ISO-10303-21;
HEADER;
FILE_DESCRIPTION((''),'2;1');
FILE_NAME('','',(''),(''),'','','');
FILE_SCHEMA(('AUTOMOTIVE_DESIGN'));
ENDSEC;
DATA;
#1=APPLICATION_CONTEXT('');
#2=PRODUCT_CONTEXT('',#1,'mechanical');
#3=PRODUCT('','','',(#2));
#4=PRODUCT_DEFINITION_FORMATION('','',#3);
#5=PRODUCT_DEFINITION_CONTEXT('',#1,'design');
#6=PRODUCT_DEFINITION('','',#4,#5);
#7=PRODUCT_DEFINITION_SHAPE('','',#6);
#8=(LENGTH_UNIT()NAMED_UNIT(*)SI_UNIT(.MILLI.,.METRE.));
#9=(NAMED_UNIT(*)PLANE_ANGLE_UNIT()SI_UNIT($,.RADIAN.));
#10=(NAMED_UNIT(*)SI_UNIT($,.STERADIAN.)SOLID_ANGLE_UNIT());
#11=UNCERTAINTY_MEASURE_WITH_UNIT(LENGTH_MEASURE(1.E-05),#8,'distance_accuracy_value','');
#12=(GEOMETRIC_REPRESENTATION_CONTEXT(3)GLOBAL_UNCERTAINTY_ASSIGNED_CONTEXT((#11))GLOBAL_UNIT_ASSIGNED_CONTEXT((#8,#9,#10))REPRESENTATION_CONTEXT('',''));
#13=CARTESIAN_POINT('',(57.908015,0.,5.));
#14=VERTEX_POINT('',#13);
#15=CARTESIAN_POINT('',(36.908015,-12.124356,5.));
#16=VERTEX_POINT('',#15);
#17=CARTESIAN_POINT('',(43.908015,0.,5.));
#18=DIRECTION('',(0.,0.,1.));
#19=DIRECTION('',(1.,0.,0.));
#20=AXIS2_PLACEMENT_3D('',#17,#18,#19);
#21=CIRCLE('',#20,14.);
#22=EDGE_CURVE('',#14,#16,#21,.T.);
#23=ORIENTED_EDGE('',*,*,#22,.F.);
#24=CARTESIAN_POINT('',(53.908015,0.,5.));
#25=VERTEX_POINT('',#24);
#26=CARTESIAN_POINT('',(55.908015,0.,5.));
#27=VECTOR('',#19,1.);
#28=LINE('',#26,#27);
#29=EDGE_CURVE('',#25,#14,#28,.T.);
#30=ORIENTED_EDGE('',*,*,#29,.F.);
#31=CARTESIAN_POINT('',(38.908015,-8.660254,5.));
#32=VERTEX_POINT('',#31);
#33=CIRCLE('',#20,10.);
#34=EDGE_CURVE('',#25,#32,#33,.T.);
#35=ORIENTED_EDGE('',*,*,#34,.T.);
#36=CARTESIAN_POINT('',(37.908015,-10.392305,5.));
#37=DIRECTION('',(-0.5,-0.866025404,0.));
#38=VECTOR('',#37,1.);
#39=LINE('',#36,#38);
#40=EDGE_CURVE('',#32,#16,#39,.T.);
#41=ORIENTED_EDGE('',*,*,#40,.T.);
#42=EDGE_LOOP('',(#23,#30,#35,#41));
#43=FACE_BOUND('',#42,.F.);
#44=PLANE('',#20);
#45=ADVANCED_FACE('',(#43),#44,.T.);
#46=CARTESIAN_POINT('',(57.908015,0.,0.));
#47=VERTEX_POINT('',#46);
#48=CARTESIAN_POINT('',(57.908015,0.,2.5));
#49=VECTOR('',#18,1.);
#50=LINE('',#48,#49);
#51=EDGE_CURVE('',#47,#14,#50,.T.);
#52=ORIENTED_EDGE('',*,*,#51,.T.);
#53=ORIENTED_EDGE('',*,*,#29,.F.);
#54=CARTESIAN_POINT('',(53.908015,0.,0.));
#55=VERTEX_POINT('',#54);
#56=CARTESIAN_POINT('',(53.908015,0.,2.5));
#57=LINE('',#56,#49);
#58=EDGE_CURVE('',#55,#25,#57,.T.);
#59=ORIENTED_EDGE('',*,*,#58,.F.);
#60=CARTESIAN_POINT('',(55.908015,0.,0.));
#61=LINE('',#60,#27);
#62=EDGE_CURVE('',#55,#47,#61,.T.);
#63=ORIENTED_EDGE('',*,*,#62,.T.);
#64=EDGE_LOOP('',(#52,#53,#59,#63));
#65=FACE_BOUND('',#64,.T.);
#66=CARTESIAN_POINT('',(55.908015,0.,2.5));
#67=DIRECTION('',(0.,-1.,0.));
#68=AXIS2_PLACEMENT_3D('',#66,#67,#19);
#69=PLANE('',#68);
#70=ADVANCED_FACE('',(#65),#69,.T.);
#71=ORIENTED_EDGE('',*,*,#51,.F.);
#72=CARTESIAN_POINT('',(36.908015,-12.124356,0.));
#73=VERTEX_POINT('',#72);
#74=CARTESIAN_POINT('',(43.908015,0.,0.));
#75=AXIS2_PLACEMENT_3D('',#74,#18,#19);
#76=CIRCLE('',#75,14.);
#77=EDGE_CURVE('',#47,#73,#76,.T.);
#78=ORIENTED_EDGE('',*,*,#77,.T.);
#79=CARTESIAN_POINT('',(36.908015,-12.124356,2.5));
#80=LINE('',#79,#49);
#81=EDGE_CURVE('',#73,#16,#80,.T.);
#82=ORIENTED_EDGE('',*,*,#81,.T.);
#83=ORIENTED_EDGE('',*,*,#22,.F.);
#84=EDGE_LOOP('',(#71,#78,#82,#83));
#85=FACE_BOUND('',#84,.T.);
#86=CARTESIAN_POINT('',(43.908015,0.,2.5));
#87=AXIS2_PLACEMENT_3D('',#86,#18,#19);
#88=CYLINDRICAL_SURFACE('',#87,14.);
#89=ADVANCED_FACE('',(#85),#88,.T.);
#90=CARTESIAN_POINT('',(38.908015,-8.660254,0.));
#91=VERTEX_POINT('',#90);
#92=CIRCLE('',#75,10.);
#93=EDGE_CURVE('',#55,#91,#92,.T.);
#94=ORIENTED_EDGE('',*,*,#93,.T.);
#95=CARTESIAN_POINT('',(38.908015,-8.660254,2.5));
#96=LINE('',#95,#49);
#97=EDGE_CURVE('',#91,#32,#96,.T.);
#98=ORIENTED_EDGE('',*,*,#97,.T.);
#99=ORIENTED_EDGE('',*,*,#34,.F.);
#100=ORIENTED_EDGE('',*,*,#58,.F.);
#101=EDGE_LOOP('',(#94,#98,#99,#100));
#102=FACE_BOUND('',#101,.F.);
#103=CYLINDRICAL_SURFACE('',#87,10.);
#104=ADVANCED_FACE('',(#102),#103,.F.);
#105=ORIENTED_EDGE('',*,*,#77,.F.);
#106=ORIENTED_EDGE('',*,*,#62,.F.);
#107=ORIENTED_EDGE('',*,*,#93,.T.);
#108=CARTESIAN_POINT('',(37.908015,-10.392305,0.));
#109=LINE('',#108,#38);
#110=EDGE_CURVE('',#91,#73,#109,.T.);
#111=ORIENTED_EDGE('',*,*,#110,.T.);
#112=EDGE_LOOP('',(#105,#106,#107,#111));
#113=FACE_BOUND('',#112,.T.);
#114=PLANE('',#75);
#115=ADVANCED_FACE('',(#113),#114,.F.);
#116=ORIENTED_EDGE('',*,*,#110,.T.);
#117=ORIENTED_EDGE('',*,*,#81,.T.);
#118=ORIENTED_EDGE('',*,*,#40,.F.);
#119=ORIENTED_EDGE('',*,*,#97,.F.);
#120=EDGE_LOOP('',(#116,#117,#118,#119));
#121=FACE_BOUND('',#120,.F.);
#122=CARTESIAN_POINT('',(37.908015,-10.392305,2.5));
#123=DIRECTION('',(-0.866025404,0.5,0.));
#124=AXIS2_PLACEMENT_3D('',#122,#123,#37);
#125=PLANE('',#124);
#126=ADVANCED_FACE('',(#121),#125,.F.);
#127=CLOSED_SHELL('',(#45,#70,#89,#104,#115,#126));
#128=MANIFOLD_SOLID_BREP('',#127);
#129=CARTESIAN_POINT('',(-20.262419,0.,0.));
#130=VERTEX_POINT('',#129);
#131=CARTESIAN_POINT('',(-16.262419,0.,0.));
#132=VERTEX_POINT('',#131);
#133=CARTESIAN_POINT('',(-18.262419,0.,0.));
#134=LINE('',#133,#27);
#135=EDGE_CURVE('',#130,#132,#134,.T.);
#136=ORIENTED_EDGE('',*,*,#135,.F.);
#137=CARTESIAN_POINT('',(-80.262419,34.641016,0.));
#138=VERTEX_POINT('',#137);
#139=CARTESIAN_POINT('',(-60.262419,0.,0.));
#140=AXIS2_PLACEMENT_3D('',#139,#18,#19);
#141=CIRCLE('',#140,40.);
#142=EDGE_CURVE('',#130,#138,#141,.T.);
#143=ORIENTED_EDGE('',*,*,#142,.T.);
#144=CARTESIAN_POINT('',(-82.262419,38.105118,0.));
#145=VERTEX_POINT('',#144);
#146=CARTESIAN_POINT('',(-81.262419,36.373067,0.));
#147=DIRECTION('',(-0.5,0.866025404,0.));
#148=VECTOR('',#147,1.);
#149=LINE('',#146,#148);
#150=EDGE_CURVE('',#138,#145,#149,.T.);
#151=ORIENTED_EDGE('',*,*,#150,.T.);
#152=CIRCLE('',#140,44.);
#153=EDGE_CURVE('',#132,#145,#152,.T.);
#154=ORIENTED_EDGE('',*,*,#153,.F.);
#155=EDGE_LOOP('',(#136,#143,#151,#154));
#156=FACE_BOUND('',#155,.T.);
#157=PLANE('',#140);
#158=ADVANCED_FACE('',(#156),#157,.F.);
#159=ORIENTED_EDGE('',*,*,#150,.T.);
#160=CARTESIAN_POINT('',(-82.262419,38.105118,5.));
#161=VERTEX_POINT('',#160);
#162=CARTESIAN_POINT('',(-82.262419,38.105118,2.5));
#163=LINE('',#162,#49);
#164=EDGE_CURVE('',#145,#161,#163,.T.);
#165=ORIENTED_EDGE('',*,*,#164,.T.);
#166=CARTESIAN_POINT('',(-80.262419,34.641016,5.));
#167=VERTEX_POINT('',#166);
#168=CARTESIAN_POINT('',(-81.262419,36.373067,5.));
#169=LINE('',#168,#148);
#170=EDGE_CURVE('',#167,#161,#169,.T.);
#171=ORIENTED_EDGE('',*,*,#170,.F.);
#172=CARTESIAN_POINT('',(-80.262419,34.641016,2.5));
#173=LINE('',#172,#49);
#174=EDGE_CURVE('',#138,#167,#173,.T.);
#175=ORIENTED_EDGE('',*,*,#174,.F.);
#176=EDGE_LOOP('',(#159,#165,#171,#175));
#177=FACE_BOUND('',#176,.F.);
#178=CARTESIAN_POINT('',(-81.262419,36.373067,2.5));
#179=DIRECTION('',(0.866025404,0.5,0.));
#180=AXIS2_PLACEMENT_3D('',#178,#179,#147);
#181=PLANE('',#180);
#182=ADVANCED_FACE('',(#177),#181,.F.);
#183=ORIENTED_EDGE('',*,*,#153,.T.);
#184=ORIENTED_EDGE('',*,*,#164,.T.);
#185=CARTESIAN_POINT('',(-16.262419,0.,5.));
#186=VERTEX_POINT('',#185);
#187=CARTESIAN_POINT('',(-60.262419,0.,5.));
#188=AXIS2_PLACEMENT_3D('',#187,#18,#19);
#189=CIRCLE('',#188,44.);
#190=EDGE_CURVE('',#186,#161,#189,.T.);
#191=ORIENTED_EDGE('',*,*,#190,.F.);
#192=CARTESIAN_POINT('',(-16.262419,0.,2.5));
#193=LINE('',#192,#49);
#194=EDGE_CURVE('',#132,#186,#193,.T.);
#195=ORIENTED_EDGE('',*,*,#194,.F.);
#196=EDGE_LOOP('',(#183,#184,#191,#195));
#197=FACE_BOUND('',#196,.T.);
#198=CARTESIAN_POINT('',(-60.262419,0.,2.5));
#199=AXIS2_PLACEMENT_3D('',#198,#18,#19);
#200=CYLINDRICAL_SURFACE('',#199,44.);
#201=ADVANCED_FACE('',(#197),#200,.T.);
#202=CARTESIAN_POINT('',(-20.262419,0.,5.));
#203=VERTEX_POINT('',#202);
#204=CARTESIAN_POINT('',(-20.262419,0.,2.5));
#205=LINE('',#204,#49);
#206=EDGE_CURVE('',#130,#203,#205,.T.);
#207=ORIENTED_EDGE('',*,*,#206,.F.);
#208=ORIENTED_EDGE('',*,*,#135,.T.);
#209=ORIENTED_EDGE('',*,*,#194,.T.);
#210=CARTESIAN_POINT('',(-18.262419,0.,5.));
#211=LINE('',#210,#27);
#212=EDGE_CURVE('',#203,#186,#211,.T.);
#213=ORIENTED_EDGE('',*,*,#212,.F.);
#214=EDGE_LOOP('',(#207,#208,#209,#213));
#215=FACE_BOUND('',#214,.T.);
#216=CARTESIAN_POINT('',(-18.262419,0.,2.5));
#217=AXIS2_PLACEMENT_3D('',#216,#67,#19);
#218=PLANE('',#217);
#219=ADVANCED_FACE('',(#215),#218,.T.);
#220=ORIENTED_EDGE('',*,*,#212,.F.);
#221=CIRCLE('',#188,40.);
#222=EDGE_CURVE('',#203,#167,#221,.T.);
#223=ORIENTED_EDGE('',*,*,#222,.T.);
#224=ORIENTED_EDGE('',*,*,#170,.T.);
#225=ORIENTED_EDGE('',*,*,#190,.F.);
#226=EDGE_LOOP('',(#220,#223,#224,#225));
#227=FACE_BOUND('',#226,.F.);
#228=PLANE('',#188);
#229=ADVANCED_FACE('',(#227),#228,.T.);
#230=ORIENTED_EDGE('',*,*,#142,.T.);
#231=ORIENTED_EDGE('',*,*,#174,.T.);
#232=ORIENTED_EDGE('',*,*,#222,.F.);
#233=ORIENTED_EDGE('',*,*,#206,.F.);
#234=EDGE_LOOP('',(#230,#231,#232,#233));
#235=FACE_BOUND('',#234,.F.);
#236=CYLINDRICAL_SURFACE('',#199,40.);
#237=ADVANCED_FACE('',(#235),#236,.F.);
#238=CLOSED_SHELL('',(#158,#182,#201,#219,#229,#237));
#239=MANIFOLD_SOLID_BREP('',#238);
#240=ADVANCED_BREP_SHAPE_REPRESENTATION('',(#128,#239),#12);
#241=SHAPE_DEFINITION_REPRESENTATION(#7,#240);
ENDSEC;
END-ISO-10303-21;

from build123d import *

# Parameters (mm, degrees)
F0_W     = 4
F0_H     = 5
F1_ANGLE = 240
F2_W     = 4
F2_H     = 5
F3_ANGLE = 120


with BuildPart() as f1:
    # F0 (on Front) → F1 (revolve)
    with BuildSketch(Plane.XZ):
        with Locations((55.908015, 2.5)):
            Rectangle(F0_W, F0_H)
    revolve(axis=Axis((43.908015, 0, 7.11061), (0, 0, 1)), revolution_arc=F1_ANGLE)


with BuildPart() as f3:
    # F2 (on Front) → F3 (revolve)
    with BuildSketch(Plane.XZ):
        with Locations((-18.262419, 2.5)):
            Rectangle(F2_W, F2_H)
    revolve(axis=Axis((-60.262419, 0, 7.821671), (0, 0, 1)), revolution_arc=F3_ANGLE)


solid = Compound([f1.part, f3.part])
